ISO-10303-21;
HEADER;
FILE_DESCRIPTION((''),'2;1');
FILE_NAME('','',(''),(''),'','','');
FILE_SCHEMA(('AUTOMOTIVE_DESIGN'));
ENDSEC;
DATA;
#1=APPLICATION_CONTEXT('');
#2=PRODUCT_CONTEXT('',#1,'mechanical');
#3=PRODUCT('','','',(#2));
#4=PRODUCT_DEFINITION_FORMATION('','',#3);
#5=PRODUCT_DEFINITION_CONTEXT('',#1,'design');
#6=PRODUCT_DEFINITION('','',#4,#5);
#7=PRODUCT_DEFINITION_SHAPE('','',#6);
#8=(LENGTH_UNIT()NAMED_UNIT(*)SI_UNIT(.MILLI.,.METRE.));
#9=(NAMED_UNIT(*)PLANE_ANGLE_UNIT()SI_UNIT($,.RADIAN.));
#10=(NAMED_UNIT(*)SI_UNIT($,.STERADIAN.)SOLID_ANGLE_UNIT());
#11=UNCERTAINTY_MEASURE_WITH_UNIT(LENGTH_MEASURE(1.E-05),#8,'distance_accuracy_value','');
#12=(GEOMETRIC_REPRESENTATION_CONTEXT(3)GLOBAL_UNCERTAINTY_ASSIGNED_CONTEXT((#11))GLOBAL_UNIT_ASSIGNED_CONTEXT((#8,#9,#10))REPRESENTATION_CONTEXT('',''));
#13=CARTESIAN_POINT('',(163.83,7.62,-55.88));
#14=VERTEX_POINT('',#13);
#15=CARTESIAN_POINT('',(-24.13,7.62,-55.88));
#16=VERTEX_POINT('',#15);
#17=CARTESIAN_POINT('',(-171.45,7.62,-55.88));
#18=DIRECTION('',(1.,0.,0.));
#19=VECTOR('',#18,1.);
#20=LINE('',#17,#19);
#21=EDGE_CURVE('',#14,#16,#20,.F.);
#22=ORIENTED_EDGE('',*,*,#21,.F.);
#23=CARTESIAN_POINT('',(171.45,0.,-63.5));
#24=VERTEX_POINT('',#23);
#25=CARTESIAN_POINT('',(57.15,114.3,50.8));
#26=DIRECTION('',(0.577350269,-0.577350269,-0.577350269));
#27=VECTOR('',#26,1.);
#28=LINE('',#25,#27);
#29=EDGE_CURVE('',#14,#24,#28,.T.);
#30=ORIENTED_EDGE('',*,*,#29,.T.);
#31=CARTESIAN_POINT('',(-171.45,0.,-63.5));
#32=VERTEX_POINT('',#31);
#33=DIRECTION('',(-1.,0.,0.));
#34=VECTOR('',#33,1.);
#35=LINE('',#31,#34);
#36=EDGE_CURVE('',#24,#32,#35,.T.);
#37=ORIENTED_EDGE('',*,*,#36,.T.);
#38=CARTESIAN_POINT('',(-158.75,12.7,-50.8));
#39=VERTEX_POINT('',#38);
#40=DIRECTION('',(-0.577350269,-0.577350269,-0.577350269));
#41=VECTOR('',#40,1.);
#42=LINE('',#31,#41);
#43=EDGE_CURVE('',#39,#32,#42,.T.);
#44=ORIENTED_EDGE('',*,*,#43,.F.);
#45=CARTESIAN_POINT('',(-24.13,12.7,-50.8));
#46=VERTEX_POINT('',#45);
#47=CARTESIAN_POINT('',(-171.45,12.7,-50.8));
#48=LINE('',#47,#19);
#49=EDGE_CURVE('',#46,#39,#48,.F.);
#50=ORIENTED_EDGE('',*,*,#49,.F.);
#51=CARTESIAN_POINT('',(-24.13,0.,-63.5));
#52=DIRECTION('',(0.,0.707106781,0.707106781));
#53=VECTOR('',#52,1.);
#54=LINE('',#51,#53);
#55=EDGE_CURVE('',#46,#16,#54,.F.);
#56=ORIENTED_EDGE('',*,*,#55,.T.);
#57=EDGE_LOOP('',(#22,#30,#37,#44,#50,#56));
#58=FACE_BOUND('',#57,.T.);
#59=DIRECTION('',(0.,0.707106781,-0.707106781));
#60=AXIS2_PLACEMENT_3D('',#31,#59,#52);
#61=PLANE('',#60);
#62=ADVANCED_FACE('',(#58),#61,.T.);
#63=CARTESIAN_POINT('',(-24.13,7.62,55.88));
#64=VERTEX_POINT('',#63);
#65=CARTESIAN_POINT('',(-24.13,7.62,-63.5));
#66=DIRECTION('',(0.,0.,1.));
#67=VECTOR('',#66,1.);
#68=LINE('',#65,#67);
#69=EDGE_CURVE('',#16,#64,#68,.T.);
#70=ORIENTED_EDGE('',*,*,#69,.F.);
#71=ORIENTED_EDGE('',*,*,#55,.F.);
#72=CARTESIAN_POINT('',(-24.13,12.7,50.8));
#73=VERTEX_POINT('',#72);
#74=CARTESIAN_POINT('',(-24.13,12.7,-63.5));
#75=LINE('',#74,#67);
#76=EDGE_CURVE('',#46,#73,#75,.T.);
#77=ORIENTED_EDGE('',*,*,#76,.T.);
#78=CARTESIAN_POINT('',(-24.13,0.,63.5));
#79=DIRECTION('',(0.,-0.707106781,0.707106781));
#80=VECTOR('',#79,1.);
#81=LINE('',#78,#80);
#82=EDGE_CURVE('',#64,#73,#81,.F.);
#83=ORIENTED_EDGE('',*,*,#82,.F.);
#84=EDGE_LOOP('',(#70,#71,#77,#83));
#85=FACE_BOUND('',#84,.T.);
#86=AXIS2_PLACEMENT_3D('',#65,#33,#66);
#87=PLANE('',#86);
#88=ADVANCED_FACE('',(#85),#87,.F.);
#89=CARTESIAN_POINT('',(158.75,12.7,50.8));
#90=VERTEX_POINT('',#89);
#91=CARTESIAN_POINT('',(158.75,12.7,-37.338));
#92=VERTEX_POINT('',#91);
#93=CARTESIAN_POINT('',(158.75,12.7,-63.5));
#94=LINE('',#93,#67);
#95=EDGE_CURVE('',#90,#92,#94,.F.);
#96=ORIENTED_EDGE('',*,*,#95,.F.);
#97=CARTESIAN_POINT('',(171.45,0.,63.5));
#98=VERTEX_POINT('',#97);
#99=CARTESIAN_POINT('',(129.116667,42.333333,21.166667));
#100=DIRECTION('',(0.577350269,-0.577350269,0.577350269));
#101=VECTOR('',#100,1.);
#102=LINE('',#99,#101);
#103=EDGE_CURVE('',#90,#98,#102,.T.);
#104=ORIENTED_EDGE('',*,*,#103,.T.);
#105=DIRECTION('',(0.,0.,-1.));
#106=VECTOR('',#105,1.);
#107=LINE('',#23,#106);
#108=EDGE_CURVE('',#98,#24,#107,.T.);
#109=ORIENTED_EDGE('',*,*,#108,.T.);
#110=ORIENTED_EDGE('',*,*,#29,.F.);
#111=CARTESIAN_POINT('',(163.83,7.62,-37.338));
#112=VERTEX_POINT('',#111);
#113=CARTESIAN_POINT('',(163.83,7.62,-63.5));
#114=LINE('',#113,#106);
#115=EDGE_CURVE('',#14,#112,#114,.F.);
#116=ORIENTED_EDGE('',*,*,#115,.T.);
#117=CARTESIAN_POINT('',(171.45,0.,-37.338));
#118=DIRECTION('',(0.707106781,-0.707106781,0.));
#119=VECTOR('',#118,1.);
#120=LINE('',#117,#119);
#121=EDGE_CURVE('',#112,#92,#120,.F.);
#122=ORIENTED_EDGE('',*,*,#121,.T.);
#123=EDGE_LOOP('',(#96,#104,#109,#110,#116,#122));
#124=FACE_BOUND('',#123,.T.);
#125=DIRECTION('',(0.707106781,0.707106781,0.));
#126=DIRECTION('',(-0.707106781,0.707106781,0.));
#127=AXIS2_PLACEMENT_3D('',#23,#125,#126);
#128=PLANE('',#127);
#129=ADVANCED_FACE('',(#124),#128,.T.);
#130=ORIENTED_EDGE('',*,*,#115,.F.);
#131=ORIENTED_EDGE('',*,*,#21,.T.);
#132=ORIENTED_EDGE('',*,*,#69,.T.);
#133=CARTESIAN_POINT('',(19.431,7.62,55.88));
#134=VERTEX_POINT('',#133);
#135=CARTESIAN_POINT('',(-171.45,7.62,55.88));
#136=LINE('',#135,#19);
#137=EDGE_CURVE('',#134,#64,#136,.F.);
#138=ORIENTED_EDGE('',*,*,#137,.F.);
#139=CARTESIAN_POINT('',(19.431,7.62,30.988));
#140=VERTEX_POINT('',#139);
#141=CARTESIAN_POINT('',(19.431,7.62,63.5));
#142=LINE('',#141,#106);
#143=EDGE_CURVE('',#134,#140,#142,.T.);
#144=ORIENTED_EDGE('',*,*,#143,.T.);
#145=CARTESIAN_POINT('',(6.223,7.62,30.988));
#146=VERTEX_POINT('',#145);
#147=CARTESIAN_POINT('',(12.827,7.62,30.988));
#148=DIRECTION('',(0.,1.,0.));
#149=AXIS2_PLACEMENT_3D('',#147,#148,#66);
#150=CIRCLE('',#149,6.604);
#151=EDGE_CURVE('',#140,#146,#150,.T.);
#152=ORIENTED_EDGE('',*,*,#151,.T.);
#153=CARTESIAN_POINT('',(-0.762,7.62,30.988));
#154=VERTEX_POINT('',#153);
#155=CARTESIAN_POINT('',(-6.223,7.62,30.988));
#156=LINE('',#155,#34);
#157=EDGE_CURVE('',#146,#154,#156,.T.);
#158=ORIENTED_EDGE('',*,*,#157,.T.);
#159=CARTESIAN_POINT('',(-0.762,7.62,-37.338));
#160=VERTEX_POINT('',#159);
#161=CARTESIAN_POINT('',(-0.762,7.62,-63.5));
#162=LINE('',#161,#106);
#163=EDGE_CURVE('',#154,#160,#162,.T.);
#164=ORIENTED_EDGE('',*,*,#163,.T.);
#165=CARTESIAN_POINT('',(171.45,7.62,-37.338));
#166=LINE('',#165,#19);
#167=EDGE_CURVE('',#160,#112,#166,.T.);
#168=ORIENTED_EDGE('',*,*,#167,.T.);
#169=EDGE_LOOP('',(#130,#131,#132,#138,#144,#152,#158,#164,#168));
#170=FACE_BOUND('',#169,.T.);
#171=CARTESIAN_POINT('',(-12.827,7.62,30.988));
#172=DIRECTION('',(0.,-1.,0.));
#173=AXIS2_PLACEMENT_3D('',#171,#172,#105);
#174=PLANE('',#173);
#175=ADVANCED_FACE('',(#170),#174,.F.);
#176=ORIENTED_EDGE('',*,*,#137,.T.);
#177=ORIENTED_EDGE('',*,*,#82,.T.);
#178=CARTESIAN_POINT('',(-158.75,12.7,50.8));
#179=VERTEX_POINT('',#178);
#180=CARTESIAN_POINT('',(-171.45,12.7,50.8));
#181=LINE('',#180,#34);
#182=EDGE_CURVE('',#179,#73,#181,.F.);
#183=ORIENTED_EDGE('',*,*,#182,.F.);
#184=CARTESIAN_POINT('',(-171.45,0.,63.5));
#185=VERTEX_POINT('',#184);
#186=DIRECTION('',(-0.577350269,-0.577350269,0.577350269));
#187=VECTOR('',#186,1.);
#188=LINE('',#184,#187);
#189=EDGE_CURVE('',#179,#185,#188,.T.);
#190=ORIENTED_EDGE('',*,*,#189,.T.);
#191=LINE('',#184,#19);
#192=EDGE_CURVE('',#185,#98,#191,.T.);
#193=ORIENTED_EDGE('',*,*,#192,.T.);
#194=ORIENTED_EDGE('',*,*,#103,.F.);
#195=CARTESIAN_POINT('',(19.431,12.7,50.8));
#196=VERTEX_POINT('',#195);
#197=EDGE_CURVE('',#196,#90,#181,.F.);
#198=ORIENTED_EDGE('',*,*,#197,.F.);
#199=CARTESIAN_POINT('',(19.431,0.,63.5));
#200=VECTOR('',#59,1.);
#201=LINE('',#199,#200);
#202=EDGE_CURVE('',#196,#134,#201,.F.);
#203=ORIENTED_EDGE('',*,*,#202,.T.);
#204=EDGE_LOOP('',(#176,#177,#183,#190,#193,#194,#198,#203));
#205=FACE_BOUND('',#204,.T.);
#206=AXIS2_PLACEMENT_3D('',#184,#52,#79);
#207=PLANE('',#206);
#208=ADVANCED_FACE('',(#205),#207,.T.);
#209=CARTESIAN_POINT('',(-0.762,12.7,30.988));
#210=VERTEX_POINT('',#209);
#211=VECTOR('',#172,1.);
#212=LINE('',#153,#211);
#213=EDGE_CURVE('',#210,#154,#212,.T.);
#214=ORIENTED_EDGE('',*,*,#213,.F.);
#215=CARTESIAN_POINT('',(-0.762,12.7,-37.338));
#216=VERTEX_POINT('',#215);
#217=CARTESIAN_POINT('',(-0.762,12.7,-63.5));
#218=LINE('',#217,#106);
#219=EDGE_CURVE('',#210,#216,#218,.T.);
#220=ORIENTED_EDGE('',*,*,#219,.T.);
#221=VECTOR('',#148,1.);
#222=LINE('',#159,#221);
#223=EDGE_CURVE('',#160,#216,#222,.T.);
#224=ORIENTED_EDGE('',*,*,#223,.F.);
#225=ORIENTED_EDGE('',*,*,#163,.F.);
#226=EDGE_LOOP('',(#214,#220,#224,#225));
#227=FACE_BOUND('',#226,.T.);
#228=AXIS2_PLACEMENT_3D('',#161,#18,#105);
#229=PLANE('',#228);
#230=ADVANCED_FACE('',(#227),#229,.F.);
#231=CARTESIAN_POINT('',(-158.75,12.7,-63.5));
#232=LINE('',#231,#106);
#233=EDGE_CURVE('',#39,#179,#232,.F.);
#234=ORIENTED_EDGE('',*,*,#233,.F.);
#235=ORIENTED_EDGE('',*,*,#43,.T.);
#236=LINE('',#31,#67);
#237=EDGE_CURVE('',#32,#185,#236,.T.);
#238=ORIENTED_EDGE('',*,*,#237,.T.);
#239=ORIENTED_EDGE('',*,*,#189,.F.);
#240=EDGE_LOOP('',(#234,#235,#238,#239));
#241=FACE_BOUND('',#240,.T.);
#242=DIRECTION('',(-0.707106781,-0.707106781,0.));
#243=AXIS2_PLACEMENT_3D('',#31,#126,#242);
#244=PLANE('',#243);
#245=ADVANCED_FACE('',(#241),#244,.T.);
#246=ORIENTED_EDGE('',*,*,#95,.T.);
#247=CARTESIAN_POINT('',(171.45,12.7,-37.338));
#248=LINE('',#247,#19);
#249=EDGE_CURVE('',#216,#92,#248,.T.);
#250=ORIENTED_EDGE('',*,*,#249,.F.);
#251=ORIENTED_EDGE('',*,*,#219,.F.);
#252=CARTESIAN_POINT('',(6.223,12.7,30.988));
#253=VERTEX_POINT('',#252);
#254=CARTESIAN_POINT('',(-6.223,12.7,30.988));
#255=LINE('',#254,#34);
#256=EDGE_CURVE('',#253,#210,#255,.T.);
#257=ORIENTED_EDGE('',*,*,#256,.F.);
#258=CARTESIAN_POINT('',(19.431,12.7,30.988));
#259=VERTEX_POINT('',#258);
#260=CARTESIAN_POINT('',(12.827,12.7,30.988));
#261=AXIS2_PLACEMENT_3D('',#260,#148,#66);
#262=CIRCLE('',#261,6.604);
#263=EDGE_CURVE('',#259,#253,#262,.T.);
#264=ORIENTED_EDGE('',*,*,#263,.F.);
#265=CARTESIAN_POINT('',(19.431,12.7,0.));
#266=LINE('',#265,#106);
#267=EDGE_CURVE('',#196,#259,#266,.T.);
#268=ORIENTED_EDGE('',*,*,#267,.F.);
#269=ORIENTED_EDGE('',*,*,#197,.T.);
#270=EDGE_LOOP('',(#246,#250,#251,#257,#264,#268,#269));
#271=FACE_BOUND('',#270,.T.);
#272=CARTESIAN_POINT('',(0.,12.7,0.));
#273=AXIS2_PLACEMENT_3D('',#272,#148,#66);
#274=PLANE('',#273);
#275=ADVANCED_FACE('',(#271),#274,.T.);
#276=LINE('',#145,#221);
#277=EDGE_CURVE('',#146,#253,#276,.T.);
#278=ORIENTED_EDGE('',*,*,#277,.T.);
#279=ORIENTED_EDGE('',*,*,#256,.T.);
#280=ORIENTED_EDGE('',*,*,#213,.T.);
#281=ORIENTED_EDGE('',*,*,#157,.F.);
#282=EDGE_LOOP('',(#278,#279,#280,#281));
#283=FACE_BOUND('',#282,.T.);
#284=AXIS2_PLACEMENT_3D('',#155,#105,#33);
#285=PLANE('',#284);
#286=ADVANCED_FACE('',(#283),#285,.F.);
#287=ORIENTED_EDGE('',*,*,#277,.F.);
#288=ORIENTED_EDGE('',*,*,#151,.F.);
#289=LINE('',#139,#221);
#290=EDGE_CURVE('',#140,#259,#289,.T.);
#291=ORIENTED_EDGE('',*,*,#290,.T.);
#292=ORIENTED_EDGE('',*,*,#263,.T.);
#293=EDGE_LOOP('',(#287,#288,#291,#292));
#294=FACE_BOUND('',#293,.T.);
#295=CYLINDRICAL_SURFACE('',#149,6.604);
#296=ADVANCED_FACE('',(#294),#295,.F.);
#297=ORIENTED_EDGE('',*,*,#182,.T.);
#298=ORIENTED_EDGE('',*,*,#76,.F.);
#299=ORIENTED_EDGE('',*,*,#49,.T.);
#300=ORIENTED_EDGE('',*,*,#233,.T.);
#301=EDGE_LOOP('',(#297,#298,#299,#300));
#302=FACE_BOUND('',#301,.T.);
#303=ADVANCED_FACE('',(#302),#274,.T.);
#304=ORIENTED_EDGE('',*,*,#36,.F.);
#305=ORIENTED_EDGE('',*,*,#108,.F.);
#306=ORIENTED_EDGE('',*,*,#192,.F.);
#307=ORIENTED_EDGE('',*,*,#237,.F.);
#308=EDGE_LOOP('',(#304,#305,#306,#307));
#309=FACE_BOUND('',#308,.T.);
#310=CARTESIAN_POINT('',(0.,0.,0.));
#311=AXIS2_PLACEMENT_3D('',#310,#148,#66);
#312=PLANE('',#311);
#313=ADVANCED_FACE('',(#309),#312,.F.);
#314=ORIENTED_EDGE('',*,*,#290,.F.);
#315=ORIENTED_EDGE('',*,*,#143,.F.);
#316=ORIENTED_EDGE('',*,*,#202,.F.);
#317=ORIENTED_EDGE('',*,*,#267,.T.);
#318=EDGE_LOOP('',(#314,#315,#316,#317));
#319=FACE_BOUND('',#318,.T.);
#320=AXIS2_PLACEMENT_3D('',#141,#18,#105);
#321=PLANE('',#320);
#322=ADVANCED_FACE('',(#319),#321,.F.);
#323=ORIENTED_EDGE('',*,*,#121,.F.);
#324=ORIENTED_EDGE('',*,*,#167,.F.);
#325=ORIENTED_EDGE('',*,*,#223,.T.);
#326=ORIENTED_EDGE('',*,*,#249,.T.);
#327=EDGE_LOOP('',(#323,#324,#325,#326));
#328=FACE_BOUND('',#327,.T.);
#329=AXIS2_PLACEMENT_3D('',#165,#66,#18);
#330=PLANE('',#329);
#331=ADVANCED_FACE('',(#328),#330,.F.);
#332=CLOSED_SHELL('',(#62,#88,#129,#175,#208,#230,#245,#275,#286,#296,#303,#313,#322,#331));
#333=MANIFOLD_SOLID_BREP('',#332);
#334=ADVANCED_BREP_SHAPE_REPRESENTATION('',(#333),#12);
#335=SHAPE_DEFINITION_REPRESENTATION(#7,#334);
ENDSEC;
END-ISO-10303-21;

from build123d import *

# Parameters (mm, degrees)
SKETCH1_W           = 342.9
SKETCH1_H           = 127
BOSS_EXTRUDE1_DEPTH = 12.7
DRAFT1_ANGLE        = -45
CUT_EXTRUDE1_DEPTH  = 5.08
SKETCH3_W           = 23.368
SKETCH3_H           = 127
CUT_EXTRUDE2_DEPTH  = 5.08
SKETCH4_W           = 172.212
SKETCH4_H           = 26.162
CUT_EXTRUDE3_DEPTH  = 5.08


with BuildPart() as part:
    # Sketch1 → Boss-Extrude1 (new body)
    with BuildSketch(Plane(origin=(0, 0, 0), x_dir=(1, 0, 0), z_dir=(0, 1, 0))):
        Rectangle(SKETCH1_W, SKETCH1_H)
    extrude(amount=BOSS_EXTRUDE1_DEPTH)

    # Draft1
    draft1_faces = [part.faces().sort_by_distance(p)[0] for p in [
        (0, 6.35, -63.5),
        (-171.45, 6.35, 0),
        (171.45, 6.35, 0),
        (0, 6.35, 63.5),
    ]]
    draft(draft1_faces, Plane(origin=(0, 0, 0), x_dir=(0, 0, -1), z_dir=(0, -1, 0)), DRAFT1_ANGLE)

    # Sketch2 → Cut-Extrude1 (cut)
    with BuildSketch(Plane(origin=(0, 12.7, 0), x_dir=(1, 0, 0), z_dir=(0, 1, 0))):
        with BuildLine():
            Line((-19.431, -63.5), (19.431, -63.5))
            Line((19.431, -63.5), (19.431, -30.988))
            ThreePointArc((19.431, -30.988), (12.827, -24.384), (6.223, -30.988))
            Line((6.223, -30.988), (-6.223, -30.988))
            ThreePointArc((-6.223, -30.988), (-12.827, -24.384), (-19.431, -30.988))
            Line((-19.431, -30.988), (-19.431, -63.5))
        make_face()
    extrude(amount=-CUT_EXTRUDE1_DEPTH, mode=Mode.SUBTRACT)

    # Sketch3 → Cut-Extrude2 (cut)
    with BuildSketch(Plane(origin=(0, 12.7, 0), x_dir=(1, 0, 0), z_dir=(0, 1, 0))):
        with Locations((-12.446, 0)):
            Rectangle(SKETCH3_W, SKETCH3_H)
    extrude(amount=-CUT_EXTRUDE2_DEPTH, mode=Mode.SUBTRACT)

    # Sketch4 → Cut-Extrude3 (cut)
    with BuildSketch(Plane(origin=(0, 12.7, 0), x_dir=(1, 0, 0), z_dir=(0, 1, 0))):
        with Locations((85.344, 50.419)):
            Rectangle(SKETCH4_W, SKETCH4_H)
    extrude(amount=-CUT_EXTRUDE3_DEPTH, mode=Mode.SUBTRACT)


solid = part.part
